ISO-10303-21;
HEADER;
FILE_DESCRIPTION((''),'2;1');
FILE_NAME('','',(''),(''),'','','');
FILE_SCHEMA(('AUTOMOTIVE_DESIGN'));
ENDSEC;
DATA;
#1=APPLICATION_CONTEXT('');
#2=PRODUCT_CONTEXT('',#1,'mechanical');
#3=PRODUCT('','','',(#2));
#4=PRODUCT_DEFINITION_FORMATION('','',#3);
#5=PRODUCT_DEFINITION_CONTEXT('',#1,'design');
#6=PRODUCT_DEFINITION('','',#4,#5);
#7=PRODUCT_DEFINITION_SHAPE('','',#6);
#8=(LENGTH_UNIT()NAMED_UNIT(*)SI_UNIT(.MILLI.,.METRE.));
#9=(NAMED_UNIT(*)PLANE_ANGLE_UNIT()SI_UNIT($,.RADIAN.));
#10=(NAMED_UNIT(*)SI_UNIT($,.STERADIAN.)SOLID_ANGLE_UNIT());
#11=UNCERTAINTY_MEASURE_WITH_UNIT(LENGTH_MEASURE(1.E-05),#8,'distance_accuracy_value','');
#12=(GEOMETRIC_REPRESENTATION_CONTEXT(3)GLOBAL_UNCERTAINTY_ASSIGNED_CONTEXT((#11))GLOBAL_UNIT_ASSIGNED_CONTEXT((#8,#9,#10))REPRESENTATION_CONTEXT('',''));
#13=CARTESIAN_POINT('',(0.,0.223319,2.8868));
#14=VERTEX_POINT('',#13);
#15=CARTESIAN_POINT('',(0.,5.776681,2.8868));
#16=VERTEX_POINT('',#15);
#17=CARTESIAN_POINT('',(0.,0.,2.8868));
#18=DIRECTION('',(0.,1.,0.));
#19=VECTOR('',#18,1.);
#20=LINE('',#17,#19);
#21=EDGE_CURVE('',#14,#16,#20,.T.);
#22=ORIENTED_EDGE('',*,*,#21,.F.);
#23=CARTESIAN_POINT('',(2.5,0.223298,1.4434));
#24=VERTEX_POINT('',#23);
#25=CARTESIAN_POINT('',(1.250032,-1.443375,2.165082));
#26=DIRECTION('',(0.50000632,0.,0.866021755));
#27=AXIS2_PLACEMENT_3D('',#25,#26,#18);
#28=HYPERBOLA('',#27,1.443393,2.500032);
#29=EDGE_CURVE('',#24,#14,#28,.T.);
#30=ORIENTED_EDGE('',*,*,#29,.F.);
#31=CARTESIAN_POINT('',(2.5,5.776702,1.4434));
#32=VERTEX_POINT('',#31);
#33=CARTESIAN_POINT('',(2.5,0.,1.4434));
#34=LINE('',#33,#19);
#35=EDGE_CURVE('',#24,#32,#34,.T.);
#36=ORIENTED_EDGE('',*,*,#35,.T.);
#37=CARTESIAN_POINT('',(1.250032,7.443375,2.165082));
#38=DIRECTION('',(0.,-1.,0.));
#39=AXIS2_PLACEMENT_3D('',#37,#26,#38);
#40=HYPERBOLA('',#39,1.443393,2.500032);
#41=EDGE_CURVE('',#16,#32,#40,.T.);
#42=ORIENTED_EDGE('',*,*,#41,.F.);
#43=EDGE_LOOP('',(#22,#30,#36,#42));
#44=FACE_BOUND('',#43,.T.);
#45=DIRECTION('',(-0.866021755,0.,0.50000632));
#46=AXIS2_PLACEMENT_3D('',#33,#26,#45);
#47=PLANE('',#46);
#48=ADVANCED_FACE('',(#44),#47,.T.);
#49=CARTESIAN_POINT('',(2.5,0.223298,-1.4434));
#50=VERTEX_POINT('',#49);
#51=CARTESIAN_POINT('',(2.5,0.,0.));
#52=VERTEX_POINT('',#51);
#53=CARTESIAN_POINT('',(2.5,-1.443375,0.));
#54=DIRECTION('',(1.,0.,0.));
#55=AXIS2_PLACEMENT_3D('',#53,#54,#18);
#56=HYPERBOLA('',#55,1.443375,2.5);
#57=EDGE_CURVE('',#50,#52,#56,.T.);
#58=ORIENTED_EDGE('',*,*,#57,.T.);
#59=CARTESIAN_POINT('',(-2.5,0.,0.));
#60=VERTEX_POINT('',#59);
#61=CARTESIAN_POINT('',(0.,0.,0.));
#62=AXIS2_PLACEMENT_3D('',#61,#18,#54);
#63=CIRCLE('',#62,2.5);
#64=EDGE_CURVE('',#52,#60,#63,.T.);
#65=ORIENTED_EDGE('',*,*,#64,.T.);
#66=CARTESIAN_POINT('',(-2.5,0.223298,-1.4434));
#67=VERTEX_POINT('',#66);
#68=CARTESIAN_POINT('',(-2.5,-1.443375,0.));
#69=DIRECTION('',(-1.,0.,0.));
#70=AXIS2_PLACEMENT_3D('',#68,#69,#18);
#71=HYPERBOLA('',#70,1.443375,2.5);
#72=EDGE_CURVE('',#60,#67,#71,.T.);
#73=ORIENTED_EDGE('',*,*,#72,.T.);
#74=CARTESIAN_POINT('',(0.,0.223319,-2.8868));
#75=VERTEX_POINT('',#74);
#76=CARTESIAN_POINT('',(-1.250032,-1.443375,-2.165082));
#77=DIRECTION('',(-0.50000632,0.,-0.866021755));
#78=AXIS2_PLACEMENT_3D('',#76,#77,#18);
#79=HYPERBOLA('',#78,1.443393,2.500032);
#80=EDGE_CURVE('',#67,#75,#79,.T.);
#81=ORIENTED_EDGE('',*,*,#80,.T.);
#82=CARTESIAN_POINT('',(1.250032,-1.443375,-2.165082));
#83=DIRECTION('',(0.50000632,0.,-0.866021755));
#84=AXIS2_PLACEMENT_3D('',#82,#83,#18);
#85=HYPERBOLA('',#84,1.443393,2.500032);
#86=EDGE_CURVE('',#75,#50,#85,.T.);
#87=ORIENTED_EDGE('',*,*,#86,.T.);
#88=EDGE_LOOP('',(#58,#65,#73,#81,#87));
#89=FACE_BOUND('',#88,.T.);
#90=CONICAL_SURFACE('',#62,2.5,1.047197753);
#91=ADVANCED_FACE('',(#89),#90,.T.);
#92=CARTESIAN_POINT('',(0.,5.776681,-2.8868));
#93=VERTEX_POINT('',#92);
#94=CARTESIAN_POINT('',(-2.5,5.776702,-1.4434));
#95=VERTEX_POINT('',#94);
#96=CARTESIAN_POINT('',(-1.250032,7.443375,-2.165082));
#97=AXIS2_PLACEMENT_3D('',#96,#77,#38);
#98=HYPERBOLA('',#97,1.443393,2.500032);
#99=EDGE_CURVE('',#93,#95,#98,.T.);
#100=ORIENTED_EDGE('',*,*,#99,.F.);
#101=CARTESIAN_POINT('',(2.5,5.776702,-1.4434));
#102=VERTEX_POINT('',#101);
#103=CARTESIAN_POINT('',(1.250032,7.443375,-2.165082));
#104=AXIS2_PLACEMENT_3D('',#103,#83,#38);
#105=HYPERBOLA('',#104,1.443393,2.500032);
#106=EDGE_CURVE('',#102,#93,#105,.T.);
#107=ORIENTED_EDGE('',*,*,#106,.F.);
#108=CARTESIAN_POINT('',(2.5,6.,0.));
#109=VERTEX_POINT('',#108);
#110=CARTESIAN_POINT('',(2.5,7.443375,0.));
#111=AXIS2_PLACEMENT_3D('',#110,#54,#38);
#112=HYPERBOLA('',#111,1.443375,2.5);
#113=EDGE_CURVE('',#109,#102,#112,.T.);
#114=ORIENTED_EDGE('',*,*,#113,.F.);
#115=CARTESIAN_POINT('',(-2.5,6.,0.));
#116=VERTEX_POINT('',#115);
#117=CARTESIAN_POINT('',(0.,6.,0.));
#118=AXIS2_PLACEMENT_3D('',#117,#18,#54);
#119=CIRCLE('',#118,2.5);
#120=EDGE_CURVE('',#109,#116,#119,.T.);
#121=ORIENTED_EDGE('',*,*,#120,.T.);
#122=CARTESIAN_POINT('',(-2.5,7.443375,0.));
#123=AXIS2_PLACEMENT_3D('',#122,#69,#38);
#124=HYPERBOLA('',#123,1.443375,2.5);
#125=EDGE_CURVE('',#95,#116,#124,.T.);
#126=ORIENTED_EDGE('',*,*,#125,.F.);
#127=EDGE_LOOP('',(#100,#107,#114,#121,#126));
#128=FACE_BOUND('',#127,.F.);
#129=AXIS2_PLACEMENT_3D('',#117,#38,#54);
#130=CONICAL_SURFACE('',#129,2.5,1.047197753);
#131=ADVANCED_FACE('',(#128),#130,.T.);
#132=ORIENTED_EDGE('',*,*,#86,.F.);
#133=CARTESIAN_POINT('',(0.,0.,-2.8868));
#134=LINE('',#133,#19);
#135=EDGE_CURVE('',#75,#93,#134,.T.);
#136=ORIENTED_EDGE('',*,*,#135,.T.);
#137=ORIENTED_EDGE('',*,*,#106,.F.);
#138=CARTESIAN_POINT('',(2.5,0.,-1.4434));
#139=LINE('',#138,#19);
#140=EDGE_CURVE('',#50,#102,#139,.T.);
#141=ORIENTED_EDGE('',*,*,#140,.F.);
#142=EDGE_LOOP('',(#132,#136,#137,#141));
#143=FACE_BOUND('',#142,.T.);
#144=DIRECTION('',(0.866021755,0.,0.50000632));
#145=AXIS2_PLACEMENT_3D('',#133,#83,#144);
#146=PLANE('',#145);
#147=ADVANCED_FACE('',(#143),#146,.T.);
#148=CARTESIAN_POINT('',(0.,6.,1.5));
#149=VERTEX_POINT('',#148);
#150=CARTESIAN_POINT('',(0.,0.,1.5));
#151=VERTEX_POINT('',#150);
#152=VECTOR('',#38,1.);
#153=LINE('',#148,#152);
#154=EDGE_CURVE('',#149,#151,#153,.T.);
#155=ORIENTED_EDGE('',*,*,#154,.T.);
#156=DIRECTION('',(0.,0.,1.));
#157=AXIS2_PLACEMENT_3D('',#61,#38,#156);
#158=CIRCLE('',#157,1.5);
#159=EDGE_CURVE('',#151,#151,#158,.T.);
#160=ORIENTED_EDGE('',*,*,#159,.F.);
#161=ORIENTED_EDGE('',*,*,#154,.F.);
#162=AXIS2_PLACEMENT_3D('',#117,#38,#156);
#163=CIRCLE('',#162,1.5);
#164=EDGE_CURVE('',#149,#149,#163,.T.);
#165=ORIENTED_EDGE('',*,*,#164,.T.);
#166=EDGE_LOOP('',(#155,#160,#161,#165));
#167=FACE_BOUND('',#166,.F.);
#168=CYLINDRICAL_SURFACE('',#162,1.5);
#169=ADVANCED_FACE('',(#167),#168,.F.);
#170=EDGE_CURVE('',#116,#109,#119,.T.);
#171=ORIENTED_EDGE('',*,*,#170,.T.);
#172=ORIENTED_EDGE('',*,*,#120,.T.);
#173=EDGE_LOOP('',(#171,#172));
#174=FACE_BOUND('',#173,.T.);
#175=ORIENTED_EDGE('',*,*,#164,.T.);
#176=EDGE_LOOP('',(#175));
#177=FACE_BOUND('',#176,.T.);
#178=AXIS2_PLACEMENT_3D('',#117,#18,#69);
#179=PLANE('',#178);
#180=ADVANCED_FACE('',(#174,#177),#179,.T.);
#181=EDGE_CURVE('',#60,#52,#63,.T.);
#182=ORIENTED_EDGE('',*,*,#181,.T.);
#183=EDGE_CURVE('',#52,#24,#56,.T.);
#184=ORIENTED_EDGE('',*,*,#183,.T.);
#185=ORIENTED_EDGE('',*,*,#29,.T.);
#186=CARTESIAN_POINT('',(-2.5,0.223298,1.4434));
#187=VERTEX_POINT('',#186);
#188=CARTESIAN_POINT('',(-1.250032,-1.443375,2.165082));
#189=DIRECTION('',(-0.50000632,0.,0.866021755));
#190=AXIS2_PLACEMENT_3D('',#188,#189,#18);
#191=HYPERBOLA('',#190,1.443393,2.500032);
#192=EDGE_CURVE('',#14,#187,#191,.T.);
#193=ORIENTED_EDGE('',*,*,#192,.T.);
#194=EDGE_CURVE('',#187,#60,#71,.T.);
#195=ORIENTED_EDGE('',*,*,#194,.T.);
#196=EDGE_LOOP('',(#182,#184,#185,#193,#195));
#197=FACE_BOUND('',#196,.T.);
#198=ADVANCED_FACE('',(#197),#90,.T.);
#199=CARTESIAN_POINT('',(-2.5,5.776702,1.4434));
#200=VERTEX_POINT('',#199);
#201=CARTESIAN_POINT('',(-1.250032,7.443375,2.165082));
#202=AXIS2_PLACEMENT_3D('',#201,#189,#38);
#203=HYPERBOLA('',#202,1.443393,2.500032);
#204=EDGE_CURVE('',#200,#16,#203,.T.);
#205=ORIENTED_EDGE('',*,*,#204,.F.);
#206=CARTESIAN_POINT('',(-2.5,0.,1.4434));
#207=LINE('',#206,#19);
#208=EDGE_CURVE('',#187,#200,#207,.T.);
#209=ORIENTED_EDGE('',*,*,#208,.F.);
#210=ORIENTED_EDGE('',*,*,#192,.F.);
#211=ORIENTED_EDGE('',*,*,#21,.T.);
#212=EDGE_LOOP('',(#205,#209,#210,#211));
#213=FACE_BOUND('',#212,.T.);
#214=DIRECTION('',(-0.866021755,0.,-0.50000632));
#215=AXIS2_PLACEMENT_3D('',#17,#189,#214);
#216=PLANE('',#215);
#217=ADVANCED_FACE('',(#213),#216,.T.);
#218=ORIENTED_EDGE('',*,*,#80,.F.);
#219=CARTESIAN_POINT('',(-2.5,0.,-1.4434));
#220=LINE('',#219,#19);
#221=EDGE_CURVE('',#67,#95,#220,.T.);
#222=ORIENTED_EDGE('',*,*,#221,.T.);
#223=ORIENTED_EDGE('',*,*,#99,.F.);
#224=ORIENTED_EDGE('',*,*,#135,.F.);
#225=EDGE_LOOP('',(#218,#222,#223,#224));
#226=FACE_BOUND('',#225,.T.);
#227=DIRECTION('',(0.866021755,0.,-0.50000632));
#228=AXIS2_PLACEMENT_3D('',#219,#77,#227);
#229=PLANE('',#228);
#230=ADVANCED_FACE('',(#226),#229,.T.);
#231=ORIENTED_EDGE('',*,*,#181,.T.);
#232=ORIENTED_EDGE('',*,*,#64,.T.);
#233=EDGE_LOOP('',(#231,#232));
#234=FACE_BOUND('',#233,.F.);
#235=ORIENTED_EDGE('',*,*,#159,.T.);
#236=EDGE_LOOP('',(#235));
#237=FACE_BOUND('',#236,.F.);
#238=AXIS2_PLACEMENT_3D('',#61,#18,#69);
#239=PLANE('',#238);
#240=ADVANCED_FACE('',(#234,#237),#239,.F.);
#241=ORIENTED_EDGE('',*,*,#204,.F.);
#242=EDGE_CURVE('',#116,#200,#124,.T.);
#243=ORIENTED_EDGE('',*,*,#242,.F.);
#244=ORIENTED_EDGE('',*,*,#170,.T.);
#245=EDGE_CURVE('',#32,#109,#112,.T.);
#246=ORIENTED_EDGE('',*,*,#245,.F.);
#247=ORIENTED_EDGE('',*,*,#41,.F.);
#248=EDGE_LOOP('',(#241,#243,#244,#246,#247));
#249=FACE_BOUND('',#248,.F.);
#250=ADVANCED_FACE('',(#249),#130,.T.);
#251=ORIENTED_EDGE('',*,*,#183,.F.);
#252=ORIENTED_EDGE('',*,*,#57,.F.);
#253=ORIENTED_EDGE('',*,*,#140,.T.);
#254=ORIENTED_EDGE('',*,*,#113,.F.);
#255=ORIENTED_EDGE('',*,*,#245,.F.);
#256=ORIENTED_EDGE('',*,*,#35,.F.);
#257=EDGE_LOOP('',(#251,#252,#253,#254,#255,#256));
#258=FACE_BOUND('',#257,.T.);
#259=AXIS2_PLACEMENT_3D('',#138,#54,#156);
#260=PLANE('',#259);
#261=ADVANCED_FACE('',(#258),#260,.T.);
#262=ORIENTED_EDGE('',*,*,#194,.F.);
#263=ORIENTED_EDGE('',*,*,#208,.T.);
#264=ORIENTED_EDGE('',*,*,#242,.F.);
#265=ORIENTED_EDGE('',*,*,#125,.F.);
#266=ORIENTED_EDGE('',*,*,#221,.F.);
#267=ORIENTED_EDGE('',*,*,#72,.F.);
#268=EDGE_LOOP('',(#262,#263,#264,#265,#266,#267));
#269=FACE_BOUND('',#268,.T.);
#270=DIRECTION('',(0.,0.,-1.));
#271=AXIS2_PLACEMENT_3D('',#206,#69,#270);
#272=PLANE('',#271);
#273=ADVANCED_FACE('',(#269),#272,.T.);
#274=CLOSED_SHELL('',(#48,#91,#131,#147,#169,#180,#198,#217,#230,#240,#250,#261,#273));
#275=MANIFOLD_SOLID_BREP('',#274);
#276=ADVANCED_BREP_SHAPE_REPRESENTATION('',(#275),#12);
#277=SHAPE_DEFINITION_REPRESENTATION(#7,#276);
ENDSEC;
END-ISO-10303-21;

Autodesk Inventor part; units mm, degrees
ref_plane "YZ Plane" through (0, 0, 0) normal (1, 0, 0) x (0, 1, 0)
ref_plane "XZ Plane" through (0, 0, 0) normal (0, 1, 0) x (-1, 0, 0)
ref_plane "XY Plane" through (0, 0, 0) normal (0, 0, 1) x (1, 0, 0)
sketch "Sketch1" plane through (0, 0, 0) normal (0, 1, 0) x (-1, 0, 0)
  line L0 (0, -2.8868) -> (-2.5, -1.4434)
  line L1 (-2.5, -1.4434) -> (-2.5, 1.4434)
  line L2 (-2.5, 1.4434) -> (0, 2.8868)
  line L3 (0, 2.8868) -> (2.5, 1.4434)
  line L4 (2.5, 1.4434) -> (2.5, -1.4434)
  line L5 (2.5, -1.4434) -> (0, -2.8868)
  point P0 (0, 0)
  point P1 (0, 0)
  dimension "d0" = 5
extrude "Extrusion1" add sketch "Sketch1" along normal blind 6
sketch "Sketch2" plane through (0, 6, 0) normal (0, 1, 0) x (1, 0, 0)
  point P0 (0, 0)
  point P1 (0, 0)
hole "Hole1" at (0, 6, 0) direction (0, -1, 0) diameter 3 end through all
sketch "Sketch3" plane through (0, 0, 0) normal (0, 0, 1) x (1, 0, 0)
  line L0 (0, 6) -> (2.5, 6) projected
  line L1 (2.5, 6) -> (4.5, 6)
  line L2 (2.5, 6) -> (4.5, 4.8453)
  line L3 (2.5, 6) -> (4.8094, 6) construction
  line L4 (4.5, 4.8453) -> (4.5, 6)
  line L5 (2.5, 0) -> (2.5, 6) projected
  line L6 (2.5, 0) -> (4.5, 0)
  line L7 (2.5, 0) -> (4.5, 1.1547)
  line L8 (2.5, 0) -> (4.8094, 0) construction
  line L9 (4.5, 1.1547) -> (4.5, 0)
  line L10 (0, -1.6) -> (0, 9.6) projected
  point P0 (0, 0)
  dimension "d10" = 30
  dimension "d11" = 2
  dimension "d12" = 30
revolve "Revolution1" cut sketch "Sketch3" angle 360 about axis through (0, -10, 0) along (0, 1, 0)
properties part number "M3_H8.0mm_board_spacer" material "Nickel-Copper Alloy 400"
